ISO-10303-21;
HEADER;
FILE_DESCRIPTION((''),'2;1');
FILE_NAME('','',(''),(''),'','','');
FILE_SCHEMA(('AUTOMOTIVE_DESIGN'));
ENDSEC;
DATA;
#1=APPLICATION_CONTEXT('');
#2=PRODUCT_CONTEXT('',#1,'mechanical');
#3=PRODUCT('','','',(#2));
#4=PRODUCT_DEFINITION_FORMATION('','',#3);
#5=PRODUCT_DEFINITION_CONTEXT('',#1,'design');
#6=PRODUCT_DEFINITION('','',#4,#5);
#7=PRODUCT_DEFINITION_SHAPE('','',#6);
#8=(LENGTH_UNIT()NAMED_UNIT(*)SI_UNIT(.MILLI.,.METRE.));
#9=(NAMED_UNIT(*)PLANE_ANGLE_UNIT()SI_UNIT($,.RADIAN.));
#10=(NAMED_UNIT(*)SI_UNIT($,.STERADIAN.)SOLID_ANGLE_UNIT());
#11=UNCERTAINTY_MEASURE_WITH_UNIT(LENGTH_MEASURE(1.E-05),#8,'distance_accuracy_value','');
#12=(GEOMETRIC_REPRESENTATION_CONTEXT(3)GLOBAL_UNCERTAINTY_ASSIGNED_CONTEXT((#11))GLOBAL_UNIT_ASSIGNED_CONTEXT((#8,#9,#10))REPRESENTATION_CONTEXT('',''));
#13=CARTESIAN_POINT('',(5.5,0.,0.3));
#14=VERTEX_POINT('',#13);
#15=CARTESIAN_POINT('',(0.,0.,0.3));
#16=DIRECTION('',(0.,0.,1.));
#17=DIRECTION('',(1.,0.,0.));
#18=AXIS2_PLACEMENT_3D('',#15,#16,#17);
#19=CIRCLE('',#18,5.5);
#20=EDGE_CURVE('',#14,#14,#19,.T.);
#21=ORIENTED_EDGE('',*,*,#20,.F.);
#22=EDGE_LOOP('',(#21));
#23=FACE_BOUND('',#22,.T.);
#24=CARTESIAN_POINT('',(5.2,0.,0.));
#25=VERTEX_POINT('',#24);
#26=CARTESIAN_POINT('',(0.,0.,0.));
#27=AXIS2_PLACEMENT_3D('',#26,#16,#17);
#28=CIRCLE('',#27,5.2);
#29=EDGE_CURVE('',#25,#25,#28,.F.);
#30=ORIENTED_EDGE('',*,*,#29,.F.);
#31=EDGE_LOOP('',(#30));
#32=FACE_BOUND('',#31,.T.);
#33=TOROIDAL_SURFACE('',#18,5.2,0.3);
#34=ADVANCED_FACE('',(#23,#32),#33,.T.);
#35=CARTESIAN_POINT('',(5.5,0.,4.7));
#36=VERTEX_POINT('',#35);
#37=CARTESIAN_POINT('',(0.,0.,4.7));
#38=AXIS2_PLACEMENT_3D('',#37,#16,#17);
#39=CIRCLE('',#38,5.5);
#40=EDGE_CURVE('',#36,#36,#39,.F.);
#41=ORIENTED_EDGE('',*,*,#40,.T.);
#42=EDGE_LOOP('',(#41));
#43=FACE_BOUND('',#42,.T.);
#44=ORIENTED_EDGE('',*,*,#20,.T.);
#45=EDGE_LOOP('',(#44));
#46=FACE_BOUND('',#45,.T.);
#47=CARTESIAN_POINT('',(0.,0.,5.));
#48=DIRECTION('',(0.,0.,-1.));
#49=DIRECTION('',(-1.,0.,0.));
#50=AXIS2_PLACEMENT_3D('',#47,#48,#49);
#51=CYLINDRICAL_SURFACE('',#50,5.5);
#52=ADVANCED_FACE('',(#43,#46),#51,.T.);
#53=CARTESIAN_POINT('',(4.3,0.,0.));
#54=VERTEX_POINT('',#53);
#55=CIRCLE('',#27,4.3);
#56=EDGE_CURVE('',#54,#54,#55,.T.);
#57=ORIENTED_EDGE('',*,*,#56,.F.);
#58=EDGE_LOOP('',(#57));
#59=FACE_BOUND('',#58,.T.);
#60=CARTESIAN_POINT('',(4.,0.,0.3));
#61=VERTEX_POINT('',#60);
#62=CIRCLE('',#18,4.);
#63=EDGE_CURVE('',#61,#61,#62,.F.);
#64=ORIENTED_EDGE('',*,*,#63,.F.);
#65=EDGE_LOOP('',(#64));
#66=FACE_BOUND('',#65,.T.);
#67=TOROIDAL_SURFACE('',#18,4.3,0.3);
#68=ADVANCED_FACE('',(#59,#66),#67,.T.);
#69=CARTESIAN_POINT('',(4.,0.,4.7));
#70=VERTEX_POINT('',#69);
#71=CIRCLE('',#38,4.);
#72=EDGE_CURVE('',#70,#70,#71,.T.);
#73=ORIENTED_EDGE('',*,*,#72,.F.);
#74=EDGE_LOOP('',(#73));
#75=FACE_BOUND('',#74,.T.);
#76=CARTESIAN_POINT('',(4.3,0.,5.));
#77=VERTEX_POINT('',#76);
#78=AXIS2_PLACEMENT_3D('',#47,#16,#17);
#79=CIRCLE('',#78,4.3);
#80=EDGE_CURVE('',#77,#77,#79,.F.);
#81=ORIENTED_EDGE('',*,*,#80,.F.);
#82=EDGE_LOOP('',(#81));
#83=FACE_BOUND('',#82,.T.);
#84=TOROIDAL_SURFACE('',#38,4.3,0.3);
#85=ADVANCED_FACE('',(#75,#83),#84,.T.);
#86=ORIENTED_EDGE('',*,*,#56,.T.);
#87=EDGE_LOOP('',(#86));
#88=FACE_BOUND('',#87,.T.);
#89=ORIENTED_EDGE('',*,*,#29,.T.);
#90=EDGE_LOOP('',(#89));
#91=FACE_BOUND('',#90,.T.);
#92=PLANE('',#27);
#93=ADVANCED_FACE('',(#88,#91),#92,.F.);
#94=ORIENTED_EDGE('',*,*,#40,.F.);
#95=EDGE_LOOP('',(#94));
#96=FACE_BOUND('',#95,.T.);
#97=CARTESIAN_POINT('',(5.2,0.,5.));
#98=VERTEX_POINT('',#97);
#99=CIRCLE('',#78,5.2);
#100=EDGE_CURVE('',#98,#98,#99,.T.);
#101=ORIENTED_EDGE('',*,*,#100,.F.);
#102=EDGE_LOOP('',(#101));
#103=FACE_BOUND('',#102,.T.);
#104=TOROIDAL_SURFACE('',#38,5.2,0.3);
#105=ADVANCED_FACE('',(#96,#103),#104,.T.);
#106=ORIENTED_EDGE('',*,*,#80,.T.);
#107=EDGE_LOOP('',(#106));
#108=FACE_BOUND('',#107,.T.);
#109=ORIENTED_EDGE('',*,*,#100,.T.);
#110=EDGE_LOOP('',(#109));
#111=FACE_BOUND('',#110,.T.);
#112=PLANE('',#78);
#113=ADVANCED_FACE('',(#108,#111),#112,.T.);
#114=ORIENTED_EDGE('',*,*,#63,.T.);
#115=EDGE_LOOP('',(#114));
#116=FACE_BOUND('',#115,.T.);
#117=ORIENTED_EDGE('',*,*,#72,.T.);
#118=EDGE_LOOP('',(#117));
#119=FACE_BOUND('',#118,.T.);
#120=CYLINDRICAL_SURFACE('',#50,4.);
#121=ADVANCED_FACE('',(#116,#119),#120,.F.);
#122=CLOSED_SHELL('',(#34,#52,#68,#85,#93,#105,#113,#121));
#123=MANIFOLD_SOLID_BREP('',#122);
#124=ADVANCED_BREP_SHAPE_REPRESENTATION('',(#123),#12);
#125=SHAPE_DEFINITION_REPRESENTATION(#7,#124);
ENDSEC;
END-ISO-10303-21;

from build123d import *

# Parameters (mm, degrees)
SKETCH1_R           = 5.5
SKETCH1_R_2         = 4
BOSS_EXTRUDE1_DEPTH = 5
FILLET1_R           = 0.3
FILLET2_R           = 0.3
FILLET3_R           = 0.3


with BuildPart() as part:
    # Sketch1 → Boss-Extrude1 (new body)
    with BuildSketch(Plane.XY):
        Circle(SKETCH1_R)
        Circle(SKETCH1_R_2, mode=Mode.SUBTRACT)
    extrude(amount=BOSS_EXTRUDE1_DEPTH)

    # Fillet1
    fillet1_edges = [part.edges().sort_by_distance(p)[0] for p in [
        (-5.5, 0, 0),
    ]]
    fillet(fillet1_edges, radius=FILLET1_R)

    # Fillet2
    fillet2_edges = [part.edges().sort_by_distance(p)[0] for p in [
        (-4, 0, 0),
    ]]
    fillet(fillet2_edges, radius=FILLET2_R)

    # Fillet3
    fillet3_edges = [part.edges().sort_by_distance(p)[0] for p in [
        (-5.5, 0, 5),
        (-4, 0, 5),
    ]]
    fillet(fillet3_edges, radius=FILLET3_R)


solid = part.part
